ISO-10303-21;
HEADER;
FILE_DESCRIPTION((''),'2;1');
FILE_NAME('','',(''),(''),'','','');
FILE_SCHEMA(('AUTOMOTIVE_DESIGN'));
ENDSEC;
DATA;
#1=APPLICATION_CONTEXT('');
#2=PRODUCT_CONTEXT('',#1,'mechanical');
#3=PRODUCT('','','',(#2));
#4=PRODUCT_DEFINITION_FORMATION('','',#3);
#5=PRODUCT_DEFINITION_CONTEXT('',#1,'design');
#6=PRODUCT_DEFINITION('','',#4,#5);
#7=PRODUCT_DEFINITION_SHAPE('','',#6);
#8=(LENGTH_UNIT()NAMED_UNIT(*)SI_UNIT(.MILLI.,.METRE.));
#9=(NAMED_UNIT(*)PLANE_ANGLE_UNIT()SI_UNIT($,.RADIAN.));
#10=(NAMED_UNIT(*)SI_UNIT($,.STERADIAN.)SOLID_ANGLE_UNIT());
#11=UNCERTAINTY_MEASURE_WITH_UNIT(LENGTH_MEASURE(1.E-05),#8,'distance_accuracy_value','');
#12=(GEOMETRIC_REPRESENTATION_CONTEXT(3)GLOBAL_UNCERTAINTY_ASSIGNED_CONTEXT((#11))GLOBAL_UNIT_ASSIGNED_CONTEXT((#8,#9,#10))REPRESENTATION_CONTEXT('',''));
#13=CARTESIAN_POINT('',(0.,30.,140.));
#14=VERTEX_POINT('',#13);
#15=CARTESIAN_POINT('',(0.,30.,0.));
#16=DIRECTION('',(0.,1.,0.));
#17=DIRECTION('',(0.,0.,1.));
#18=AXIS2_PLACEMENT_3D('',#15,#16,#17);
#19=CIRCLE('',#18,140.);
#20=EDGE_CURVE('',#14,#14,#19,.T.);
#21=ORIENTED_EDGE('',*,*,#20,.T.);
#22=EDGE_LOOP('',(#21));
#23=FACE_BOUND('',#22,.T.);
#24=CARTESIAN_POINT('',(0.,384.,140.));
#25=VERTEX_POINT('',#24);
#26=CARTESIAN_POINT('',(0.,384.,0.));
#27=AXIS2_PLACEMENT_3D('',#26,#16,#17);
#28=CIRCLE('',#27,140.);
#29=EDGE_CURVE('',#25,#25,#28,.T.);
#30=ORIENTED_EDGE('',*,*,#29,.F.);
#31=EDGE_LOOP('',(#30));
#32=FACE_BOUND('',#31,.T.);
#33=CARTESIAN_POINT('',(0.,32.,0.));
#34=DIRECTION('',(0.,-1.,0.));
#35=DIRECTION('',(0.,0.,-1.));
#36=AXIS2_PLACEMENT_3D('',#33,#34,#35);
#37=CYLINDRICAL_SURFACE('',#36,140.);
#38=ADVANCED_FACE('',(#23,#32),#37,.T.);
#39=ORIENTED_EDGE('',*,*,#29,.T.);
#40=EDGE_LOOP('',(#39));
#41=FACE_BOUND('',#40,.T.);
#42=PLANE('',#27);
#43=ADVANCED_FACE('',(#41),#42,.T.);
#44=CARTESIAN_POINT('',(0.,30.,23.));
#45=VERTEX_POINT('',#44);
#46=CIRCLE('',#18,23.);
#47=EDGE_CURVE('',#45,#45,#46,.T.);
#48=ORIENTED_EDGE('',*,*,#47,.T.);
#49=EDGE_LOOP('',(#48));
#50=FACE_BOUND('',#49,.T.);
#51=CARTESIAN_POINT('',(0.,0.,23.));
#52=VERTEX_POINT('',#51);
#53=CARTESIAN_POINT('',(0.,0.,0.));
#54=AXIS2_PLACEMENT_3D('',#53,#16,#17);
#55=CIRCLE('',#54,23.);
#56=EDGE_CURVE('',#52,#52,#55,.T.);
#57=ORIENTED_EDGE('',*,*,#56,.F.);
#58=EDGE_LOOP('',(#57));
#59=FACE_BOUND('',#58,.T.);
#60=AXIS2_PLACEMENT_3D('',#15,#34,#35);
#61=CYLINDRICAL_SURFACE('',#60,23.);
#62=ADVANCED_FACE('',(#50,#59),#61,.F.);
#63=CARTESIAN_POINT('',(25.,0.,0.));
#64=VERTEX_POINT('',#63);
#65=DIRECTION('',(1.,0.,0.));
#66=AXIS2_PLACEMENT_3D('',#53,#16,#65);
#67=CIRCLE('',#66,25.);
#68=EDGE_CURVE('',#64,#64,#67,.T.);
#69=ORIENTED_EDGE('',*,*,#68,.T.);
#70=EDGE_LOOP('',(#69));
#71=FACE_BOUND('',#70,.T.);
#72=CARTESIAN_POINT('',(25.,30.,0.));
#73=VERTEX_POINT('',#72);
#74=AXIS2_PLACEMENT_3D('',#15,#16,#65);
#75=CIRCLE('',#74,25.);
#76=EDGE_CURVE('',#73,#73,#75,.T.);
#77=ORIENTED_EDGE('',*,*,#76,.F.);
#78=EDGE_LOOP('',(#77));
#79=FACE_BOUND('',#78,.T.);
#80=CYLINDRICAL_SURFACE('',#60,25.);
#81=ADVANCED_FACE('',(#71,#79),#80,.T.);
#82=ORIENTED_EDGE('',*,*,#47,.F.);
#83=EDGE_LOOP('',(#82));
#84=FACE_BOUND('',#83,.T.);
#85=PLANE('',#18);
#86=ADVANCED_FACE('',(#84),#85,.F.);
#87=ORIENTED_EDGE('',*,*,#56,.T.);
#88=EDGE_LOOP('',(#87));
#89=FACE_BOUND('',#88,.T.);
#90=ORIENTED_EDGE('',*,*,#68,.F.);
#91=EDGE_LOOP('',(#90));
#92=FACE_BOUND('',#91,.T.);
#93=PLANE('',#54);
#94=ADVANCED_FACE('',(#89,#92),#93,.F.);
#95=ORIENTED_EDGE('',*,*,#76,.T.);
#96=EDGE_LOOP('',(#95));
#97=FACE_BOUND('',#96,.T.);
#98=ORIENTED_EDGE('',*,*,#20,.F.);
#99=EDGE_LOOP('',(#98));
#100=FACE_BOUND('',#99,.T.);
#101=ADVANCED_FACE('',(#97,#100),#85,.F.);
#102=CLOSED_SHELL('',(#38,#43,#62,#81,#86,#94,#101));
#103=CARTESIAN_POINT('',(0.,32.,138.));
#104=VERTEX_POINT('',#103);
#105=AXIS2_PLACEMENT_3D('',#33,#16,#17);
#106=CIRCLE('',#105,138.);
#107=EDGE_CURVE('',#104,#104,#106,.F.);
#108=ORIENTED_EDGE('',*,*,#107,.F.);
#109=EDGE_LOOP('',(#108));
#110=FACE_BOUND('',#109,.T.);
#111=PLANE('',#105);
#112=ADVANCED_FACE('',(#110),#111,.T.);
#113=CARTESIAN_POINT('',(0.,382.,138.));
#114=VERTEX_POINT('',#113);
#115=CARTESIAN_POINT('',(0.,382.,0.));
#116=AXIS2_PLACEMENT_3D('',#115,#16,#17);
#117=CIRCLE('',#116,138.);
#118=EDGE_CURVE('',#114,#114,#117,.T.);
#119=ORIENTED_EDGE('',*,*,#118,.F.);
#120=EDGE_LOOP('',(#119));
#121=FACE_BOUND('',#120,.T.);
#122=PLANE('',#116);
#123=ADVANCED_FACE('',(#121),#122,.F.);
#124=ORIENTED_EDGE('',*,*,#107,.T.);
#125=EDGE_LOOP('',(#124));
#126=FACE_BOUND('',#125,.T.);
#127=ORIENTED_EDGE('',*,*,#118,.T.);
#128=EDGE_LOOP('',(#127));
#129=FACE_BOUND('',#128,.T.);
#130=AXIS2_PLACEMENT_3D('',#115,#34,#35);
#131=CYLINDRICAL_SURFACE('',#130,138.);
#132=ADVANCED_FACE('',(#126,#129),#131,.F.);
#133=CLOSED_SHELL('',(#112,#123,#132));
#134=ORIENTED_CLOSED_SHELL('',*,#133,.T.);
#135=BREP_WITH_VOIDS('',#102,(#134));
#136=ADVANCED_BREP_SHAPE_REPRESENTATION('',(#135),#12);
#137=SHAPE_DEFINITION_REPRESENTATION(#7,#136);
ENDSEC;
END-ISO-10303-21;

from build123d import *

# Parameters (mm, degrees)
SKETCH1_R           = 25
SKETCH1_R_2         = 23
EXTRUDE_THIN1_DEPTH = 30
SKETCH2_R           = 140
BOSS_EXTRUDE1_DEPTH = 2
SKETCH3_R           = 140
SKETCH3_R_2         = 138
BOSS_EXTRUDE2_DEPTH = 350
SKETCH4_R           = 140
BOSS_EXTRUDE3_DEPTH = 2


with BuildPart() as part:
    # Sketch1 → Extrude-Thin1 (new body)
    with BuildSketch(Plane(origin=(0, 0, 0), x_dir=(1, 0, 0), z_dir=(0, 1, 0))):
        Circle(SKETCH1_R)
        Circle(SKETCH1_R_2, mode=Mode.SUBTRACT)
    extrude(amount=EXTRUDE_THIN1_DEPTH)

    # Sketch2 → Boss-Extrude1 (add)
    with BuildSketch(Plane(origin=(0, 30, 0), x_dir=(1, 0, 0), z_dir=(0, 1, 0))):
        with Locations(Location((0, 0, 0), (0, 0, 270))):
            Circle(SKETCH2_R)
    extrude(amount=BOSS_EXTRUDE1_DEPTH)

    # Sketch3 → Boss-Extrude2 (add)
    with BuildSketch(Plane(origin=(0, 32, 0), x_dir=(1, 0, 0), z_dir=(0, 1, 0))):
        with Locations(Location((0, 0, 0), (0, 0, 270))):
            Circle(SKETCH3_R)
        with Locations(Location((0, 0, 0), (0, 0, 270))):
            Circle(SKETCH3_R_2, mode=Mode.SUBTRACT)
    extrude(amount=BOSS_EXTRUDE2_DEPTH)

    # Sketch4 → Boss-Extrude3 (add)
    with BuildSketch(Plane(origin=(0, 382, 0), x_dir=(1, 0, 0), z_dir=(0, 1, 0))):
        with Locations(Location((0, 0, 0), (0, 0, 270))):
            Circle(SKETCH4_R)
    extrude(amount=BOSS_EXTRUDE3_DEPTH)


solid = part.part
